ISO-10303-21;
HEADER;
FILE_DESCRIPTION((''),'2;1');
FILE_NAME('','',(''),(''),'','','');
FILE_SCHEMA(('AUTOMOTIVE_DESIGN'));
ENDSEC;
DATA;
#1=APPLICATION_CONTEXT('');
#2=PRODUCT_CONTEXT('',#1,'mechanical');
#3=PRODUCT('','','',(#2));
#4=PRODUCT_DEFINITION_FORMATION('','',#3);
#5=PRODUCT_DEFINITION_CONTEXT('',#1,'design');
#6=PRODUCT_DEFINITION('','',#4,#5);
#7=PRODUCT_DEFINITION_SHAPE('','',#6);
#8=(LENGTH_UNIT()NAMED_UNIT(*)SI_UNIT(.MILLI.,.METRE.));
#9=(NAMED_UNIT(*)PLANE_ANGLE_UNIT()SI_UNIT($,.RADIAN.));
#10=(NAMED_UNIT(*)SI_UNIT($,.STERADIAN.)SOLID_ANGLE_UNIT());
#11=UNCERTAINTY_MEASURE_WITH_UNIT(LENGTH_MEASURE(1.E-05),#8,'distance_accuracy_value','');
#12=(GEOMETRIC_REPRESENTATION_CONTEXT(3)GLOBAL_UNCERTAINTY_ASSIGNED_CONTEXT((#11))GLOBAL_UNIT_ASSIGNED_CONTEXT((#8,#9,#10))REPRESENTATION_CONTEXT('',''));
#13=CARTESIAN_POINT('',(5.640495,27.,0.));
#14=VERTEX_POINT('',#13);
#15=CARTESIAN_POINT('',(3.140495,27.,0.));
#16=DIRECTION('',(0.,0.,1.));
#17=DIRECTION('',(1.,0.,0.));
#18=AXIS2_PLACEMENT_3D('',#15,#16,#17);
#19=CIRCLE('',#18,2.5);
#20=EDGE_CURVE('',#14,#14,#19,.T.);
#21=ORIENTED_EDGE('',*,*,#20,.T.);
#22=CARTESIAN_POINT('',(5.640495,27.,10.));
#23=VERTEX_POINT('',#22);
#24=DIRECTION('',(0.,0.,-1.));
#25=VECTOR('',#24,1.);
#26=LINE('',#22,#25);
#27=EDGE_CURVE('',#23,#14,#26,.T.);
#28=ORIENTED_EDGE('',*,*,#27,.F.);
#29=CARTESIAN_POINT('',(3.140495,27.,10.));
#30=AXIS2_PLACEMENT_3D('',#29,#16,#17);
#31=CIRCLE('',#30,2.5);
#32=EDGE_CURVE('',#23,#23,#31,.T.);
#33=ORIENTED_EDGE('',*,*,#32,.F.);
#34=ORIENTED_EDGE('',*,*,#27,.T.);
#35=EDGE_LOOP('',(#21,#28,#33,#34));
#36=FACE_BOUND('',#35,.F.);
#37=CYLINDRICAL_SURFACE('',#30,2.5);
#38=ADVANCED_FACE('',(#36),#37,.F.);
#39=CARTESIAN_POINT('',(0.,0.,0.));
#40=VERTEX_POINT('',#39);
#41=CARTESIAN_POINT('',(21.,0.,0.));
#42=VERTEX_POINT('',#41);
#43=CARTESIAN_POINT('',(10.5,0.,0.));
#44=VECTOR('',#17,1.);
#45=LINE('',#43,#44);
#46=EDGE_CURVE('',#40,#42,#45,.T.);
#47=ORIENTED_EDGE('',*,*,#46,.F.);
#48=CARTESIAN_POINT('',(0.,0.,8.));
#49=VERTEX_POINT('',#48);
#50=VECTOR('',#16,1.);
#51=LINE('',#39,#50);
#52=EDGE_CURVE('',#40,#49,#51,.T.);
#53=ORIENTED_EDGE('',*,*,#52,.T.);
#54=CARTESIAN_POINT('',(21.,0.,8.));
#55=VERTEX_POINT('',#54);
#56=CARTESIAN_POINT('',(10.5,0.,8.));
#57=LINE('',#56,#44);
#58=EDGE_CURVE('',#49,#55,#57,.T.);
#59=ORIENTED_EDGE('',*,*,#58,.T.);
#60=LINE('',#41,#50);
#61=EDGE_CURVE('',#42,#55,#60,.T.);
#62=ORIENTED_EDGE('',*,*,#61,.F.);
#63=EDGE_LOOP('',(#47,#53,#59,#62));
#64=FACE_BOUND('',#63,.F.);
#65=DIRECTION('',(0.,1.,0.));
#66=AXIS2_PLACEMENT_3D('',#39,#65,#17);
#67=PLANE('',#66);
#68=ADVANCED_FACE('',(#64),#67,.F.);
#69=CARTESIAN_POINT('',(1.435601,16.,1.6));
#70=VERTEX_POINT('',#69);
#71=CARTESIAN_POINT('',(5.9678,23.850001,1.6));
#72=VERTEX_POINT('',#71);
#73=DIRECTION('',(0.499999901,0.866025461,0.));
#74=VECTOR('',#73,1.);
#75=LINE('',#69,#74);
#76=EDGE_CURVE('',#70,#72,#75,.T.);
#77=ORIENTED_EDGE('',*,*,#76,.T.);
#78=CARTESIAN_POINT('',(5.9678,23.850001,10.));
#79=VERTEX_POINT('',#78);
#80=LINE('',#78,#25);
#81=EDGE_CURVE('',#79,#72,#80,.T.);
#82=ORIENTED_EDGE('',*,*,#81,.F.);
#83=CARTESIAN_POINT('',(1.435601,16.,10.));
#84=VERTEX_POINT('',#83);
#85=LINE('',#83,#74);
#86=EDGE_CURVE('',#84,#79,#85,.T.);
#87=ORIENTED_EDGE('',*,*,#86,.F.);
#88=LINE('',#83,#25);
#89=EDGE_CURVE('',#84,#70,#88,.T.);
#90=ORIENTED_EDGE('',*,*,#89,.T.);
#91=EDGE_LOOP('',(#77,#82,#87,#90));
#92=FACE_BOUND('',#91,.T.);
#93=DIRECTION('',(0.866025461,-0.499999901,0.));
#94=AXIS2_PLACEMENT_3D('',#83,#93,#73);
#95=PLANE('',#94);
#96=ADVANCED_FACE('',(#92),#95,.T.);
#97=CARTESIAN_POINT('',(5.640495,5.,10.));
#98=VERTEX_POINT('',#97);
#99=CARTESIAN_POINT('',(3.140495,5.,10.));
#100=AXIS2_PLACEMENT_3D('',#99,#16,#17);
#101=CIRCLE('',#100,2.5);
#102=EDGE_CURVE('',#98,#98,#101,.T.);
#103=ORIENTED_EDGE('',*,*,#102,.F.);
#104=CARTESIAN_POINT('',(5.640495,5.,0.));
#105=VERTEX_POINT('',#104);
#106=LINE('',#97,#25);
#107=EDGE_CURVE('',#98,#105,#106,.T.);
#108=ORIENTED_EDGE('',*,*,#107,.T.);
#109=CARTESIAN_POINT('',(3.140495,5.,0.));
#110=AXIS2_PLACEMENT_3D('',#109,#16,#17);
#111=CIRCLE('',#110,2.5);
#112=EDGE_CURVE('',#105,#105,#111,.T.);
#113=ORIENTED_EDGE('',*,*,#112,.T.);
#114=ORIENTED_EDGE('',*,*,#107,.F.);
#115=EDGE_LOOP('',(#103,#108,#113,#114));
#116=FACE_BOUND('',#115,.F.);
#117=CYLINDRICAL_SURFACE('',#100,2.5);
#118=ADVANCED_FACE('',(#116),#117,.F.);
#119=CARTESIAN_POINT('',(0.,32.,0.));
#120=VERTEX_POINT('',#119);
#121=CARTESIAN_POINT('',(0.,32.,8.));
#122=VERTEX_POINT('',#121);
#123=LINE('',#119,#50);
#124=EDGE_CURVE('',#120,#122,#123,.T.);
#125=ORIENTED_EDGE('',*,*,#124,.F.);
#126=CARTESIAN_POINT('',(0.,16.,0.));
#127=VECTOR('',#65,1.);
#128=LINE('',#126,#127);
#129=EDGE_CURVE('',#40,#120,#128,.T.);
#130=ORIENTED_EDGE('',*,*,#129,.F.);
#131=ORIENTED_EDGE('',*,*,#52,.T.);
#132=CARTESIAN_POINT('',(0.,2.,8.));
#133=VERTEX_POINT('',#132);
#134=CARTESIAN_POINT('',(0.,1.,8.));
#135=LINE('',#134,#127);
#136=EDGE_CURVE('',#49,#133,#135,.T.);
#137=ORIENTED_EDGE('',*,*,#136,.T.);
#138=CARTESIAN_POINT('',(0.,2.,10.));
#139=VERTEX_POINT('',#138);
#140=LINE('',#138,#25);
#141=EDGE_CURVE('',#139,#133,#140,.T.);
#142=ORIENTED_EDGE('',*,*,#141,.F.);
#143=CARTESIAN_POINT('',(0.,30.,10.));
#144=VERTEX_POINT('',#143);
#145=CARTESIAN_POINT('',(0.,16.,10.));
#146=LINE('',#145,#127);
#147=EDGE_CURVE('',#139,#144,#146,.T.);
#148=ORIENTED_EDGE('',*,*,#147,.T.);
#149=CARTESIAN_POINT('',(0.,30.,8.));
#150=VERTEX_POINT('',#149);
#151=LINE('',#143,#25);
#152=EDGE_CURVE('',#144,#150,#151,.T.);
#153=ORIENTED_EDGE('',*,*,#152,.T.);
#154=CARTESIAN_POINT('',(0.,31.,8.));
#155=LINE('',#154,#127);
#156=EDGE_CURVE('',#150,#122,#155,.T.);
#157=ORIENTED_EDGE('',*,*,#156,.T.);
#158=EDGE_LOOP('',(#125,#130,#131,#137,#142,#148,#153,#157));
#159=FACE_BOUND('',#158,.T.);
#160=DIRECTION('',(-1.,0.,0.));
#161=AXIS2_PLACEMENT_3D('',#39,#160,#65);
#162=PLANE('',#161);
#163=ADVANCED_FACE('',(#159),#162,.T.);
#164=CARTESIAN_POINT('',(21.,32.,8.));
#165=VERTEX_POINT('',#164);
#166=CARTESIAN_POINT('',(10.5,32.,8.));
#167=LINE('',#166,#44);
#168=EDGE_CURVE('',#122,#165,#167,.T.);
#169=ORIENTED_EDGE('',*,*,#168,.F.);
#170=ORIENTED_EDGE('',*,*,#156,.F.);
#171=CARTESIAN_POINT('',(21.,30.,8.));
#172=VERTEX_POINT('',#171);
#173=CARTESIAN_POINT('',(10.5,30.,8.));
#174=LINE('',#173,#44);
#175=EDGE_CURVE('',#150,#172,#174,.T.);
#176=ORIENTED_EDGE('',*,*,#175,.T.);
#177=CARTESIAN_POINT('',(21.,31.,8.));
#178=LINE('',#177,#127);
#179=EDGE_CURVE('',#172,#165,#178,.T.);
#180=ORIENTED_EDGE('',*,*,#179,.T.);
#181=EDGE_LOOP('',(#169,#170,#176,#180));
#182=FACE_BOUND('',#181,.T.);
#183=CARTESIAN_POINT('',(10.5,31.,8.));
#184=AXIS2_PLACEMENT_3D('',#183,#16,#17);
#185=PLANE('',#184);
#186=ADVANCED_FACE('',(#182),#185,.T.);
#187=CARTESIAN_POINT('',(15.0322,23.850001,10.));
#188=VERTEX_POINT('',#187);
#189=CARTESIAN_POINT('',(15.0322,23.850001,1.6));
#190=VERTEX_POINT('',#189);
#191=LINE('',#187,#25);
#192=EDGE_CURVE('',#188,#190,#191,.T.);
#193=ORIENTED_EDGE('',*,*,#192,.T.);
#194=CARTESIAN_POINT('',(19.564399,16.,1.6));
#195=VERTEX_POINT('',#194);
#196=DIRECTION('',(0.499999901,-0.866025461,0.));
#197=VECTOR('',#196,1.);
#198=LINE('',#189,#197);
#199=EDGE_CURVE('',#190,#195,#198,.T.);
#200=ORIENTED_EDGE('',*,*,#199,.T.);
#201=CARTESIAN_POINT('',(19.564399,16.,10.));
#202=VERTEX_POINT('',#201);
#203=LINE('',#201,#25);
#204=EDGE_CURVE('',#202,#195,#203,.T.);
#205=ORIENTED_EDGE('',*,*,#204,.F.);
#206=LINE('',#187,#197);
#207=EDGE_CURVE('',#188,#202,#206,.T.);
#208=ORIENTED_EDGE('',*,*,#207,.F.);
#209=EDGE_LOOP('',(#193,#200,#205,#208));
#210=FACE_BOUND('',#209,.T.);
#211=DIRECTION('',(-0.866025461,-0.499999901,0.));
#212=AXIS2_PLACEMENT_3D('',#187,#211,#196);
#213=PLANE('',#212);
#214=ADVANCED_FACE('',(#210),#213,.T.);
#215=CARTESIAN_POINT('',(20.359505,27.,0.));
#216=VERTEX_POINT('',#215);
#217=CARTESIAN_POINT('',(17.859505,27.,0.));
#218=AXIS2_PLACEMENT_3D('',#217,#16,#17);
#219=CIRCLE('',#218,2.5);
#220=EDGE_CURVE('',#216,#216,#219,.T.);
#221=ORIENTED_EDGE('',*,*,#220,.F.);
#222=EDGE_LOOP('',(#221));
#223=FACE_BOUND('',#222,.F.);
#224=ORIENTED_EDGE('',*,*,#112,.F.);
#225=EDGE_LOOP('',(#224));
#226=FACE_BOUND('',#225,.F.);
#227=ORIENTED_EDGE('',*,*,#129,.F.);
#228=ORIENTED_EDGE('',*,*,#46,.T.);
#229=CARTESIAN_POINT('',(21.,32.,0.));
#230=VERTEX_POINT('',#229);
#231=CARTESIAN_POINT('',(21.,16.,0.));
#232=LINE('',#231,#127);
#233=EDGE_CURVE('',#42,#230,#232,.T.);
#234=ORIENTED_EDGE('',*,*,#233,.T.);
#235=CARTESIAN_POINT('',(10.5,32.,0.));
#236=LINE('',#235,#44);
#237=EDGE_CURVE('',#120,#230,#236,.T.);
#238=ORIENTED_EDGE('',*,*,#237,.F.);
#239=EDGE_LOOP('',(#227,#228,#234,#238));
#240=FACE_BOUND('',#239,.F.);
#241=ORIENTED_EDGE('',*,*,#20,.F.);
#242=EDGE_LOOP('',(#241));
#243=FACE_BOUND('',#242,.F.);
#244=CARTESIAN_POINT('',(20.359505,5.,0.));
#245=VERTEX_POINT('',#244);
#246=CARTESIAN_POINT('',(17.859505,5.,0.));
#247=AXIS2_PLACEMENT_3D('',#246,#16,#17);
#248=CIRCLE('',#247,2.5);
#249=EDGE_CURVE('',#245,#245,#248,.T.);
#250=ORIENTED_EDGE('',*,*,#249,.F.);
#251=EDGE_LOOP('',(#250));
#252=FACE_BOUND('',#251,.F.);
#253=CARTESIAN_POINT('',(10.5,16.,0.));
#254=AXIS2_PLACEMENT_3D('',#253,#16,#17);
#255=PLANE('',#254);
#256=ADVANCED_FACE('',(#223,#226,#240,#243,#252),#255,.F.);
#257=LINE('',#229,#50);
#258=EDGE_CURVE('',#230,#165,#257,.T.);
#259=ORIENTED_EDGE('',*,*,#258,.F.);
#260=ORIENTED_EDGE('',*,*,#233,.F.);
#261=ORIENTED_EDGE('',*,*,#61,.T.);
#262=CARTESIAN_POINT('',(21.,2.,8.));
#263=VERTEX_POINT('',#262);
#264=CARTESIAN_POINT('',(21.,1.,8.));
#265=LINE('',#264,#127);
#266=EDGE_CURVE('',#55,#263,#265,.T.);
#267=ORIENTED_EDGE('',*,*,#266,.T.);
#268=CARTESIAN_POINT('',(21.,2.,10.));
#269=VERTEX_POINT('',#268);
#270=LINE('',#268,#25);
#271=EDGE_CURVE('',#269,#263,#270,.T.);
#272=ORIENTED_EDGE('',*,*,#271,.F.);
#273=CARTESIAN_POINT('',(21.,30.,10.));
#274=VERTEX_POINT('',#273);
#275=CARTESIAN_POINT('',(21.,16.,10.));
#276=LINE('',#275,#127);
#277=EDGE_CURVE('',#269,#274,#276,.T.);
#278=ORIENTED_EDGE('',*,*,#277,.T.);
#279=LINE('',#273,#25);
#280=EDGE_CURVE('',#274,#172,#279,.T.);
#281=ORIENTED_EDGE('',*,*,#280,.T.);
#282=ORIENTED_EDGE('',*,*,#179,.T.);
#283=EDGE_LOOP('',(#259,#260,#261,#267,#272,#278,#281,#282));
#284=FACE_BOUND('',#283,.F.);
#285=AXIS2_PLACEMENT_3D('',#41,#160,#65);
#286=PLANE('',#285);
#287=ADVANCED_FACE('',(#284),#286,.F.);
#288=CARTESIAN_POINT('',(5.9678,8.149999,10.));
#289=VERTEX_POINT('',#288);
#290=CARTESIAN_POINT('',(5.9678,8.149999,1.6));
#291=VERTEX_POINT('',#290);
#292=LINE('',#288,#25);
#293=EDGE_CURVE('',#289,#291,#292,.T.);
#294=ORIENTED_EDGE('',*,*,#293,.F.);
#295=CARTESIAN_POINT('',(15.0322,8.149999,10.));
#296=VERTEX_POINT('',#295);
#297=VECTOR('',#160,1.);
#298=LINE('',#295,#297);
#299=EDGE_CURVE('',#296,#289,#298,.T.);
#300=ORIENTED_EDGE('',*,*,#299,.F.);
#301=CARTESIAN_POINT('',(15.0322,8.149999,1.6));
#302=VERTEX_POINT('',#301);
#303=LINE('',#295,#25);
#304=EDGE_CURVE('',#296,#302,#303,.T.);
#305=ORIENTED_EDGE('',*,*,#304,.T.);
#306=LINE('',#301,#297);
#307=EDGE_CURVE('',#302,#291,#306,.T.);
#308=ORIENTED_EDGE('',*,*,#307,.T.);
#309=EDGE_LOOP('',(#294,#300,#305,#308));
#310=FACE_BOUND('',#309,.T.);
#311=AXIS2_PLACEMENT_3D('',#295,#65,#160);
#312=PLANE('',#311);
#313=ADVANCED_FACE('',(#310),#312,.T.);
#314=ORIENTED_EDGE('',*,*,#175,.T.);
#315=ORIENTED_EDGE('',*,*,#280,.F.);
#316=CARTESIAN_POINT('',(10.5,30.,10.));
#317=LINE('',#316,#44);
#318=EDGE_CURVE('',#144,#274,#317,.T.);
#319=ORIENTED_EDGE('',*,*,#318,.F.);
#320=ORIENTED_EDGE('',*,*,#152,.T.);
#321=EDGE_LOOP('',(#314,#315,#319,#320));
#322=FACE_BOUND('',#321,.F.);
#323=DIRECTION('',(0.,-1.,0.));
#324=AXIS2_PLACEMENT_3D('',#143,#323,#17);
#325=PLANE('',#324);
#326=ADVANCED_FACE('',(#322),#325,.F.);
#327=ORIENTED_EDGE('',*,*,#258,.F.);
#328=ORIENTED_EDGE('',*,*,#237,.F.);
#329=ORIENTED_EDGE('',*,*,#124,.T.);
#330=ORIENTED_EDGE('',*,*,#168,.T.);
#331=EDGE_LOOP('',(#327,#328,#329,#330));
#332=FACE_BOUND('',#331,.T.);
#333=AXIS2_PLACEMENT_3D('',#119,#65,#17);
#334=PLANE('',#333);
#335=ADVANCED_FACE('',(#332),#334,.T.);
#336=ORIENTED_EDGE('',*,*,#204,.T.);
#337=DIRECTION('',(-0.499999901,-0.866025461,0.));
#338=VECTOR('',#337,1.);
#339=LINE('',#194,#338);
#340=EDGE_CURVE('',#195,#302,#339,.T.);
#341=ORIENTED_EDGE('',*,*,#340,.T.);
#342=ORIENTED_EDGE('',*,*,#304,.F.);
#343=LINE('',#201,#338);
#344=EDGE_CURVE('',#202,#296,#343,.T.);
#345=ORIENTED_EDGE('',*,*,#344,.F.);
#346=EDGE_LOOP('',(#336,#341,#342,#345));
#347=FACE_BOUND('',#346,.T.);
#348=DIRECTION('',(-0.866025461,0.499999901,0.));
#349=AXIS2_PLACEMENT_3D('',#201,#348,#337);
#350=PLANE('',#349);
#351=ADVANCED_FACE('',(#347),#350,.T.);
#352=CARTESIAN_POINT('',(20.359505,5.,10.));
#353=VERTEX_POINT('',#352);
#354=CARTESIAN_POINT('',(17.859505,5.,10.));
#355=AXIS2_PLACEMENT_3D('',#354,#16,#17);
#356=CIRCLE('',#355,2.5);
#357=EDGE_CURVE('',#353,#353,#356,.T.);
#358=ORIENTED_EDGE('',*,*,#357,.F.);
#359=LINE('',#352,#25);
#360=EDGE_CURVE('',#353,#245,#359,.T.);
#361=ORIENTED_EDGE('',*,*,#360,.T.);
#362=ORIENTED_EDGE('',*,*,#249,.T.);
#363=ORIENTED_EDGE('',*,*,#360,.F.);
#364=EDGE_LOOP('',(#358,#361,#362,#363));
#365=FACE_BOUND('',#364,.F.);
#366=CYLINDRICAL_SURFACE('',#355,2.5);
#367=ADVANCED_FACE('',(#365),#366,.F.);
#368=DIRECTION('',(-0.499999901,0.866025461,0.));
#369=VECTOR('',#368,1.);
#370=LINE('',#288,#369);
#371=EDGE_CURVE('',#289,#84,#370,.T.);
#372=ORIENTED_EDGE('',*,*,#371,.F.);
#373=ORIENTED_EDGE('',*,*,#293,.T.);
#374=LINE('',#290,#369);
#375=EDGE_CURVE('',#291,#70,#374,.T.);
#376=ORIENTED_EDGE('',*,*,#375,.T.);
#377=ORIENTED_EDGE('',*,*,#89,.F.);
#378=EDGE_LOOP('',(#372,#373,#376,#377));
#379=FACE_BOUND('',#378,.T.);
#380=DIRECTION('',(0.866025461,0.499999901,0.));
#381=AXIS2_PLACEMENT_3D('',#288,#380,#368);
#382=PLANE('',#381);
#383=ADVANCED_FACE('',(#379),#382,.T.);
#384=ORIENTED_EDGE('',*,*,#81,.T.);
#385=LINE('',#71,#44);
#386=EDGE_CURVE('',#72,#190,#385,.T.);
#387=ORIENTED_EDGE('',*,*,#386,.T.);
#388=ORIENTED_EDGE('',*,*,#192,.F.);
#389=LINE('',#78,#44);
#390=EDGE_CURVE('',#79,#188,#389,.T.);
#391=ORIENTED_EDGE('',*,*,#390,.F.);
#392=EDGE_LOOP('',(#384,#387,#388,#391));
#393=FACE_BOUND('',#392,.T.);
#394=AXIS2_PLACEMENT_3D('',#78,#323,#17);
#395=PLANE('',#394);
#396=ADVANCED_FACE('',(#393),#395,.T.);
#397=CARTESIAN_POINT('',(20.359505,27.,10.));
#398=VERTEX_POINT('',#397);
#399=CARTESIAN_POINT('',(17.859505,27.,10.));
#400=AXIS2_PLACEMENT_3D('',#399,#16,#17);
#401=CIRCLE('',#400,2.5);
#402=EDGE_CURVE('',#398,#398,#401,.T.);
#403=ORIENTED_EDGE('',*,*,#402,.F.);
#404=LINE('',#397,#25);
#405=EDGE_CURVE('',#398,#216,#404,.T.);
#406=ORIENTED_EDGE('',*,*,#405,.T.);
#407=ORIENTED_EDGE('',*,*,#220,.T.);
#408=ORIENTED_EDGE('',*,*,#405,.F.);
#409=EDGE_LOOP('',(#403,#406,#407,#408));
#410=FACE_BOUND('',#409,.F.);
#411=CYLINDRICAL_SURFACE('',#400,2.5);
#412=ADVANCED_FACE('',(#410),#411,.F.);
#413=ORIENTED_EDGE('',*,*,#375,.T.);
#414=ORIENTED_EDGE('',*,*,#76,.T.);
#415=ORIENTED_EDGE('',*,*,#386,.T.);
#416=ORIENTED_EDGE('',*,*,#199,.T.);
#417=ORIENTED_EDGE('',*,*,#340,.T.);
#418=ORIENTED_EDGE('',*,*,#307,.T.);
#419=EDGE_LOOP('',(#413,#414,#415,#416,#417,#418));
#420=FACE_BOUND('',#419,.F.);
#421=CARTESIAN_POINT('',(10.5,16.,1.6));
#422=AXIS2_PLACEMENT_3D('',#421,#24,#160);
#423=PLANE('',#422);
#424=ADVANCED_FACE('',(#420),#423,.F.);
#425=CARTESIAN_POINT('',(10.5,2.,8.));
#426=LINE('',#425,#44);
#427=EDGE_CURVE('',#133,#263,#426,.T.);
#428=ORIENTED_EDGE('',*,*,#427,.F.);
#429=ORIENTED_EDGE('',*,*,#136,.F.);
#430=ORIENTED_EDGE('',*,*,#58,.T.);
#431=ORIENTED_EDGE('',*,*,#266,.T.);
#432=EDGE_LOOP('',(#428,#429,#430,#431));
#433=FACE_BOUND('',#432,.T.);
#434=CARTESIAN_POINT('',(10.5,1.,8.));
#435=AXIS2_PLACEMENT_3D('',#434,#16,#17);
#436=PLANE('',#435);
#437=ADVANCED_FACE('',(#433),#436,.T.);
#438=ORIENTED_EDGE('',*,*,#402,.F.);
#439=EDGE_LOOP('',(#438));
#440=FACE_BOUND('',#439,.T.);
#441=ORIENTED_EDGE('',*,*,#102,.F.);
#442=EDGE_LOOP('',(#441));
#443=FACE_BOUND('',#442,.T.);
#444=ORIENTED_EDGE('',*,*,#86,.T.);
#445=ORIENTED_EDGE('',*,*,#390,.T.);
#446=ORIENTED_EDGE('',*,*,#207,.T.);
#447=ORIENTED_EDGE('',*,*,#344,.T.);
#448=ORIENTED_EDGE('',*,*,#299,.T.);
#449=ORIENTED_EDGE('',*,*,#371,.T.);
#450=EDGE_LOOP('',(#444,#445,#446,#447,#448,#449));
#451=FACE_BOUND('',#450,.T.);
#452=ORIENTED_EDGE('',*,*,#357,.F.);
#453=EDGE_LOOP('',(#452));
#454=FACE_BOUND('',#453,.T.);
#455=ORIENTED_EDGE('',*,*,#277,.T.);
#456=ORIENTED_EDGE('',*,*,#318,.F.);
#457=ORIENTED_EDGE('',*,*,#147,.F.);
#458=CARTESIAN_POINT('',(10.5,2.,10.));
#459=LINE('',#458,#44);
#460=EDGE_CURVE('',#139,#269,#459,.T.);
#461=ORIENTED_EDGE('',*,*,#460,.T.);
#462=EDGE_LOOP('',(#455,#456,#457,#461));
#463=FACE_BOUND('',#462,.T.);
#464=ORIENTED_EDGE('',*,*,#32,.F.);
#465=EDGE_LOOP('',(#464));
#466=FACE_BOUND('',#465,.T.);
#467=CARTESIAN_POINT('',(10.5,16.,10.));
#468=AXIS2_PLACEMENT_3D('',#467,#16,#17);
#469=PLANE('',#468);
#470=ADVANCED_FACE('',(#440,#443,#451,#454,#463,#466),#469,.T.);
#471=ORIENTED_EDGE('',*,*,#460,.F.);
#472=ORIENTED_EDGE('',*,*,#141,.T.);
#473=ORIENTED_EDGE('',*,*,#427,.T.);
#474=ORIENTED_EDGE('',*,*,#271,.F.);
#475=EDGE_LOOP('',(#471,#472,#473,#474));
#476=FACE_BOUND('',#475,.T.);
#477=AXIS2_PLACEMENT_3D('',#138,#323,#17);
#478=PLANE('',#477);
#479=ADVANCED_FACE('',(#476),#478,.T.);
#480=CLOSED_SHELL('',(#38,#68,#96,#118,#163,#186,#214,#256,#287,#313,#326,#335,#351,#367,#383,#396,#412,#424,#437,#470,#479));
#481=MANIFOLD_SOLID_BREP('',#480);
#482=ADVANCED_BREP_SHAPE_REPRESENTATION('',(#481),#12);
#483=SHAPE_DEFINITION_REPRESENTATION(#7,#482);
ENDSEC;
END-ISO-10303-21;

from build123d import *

# Parameters (mm, degrees)
BOX_W           = 21
BOX_H           = 32
BOX_DEPTH       = 10
POCKET_DEPTH    = 8.4
SKETCH002_W     = 21
SKETCH002_H     = 2
POCKET001_DEPTH = 2
SKETCH001_R     = 2.5
POCKET002_DEPTH = 10.001


with BuildPart() as part:
    # Box → Box (new body)
    with BuildSketch(Plane.XY):
        with Locations((10.5, 16)):
            Rectangle(BOX_W, BOX_H)
    extrude(amount=BOX_DEPTH)

    # Sketch → Pocket (cut)
    with BuildSketch(Plane.XY.offset(10)):
        Polygon((1.435601, 16), (5.9678, 23.850001), (15.0322, 23.850001), (19.564399, 16), (15.0322, 8.149999), (5.9678, 8.149999), align=None)
    extrude(amount=-POCKET_DEPTH, mode=Mode.SUBTRACT)

    # Sketch002 → Pocket001 (cut)
    with BuildSketch(Plane.XY.offset(10)):
        with Locations((10.5, 31)):
            Rectangle(SKETCH002_W, SKETCH002_H)
        with Locations((10.5, 1)):
            Rectangle(SKETCH002_W, SKETCH002_H)
    extrude(amount=-POCKET001_DEPTH, mode=Mode.SUBTRACT)

    # Sketch001 → Pocket002 (cut, through all)
    with BuildSketch(Plane.XY.offset(10)):
        with Locations((3.140495, 27)):
            Circle(SKETCH001_R)
        with Locations((17.859505, 27)):
            Circle(SKETCH001_R)
        with Locations((3.140495, 5)):
            Circle(SKETCH001_R)
        with Locations((17.859505, 5)):
            Circle(SKETCH001_R)
    extrude(amount=-POCKET002_DEPTH, mode=Mode.SUBTRACT)


solid = part.part
